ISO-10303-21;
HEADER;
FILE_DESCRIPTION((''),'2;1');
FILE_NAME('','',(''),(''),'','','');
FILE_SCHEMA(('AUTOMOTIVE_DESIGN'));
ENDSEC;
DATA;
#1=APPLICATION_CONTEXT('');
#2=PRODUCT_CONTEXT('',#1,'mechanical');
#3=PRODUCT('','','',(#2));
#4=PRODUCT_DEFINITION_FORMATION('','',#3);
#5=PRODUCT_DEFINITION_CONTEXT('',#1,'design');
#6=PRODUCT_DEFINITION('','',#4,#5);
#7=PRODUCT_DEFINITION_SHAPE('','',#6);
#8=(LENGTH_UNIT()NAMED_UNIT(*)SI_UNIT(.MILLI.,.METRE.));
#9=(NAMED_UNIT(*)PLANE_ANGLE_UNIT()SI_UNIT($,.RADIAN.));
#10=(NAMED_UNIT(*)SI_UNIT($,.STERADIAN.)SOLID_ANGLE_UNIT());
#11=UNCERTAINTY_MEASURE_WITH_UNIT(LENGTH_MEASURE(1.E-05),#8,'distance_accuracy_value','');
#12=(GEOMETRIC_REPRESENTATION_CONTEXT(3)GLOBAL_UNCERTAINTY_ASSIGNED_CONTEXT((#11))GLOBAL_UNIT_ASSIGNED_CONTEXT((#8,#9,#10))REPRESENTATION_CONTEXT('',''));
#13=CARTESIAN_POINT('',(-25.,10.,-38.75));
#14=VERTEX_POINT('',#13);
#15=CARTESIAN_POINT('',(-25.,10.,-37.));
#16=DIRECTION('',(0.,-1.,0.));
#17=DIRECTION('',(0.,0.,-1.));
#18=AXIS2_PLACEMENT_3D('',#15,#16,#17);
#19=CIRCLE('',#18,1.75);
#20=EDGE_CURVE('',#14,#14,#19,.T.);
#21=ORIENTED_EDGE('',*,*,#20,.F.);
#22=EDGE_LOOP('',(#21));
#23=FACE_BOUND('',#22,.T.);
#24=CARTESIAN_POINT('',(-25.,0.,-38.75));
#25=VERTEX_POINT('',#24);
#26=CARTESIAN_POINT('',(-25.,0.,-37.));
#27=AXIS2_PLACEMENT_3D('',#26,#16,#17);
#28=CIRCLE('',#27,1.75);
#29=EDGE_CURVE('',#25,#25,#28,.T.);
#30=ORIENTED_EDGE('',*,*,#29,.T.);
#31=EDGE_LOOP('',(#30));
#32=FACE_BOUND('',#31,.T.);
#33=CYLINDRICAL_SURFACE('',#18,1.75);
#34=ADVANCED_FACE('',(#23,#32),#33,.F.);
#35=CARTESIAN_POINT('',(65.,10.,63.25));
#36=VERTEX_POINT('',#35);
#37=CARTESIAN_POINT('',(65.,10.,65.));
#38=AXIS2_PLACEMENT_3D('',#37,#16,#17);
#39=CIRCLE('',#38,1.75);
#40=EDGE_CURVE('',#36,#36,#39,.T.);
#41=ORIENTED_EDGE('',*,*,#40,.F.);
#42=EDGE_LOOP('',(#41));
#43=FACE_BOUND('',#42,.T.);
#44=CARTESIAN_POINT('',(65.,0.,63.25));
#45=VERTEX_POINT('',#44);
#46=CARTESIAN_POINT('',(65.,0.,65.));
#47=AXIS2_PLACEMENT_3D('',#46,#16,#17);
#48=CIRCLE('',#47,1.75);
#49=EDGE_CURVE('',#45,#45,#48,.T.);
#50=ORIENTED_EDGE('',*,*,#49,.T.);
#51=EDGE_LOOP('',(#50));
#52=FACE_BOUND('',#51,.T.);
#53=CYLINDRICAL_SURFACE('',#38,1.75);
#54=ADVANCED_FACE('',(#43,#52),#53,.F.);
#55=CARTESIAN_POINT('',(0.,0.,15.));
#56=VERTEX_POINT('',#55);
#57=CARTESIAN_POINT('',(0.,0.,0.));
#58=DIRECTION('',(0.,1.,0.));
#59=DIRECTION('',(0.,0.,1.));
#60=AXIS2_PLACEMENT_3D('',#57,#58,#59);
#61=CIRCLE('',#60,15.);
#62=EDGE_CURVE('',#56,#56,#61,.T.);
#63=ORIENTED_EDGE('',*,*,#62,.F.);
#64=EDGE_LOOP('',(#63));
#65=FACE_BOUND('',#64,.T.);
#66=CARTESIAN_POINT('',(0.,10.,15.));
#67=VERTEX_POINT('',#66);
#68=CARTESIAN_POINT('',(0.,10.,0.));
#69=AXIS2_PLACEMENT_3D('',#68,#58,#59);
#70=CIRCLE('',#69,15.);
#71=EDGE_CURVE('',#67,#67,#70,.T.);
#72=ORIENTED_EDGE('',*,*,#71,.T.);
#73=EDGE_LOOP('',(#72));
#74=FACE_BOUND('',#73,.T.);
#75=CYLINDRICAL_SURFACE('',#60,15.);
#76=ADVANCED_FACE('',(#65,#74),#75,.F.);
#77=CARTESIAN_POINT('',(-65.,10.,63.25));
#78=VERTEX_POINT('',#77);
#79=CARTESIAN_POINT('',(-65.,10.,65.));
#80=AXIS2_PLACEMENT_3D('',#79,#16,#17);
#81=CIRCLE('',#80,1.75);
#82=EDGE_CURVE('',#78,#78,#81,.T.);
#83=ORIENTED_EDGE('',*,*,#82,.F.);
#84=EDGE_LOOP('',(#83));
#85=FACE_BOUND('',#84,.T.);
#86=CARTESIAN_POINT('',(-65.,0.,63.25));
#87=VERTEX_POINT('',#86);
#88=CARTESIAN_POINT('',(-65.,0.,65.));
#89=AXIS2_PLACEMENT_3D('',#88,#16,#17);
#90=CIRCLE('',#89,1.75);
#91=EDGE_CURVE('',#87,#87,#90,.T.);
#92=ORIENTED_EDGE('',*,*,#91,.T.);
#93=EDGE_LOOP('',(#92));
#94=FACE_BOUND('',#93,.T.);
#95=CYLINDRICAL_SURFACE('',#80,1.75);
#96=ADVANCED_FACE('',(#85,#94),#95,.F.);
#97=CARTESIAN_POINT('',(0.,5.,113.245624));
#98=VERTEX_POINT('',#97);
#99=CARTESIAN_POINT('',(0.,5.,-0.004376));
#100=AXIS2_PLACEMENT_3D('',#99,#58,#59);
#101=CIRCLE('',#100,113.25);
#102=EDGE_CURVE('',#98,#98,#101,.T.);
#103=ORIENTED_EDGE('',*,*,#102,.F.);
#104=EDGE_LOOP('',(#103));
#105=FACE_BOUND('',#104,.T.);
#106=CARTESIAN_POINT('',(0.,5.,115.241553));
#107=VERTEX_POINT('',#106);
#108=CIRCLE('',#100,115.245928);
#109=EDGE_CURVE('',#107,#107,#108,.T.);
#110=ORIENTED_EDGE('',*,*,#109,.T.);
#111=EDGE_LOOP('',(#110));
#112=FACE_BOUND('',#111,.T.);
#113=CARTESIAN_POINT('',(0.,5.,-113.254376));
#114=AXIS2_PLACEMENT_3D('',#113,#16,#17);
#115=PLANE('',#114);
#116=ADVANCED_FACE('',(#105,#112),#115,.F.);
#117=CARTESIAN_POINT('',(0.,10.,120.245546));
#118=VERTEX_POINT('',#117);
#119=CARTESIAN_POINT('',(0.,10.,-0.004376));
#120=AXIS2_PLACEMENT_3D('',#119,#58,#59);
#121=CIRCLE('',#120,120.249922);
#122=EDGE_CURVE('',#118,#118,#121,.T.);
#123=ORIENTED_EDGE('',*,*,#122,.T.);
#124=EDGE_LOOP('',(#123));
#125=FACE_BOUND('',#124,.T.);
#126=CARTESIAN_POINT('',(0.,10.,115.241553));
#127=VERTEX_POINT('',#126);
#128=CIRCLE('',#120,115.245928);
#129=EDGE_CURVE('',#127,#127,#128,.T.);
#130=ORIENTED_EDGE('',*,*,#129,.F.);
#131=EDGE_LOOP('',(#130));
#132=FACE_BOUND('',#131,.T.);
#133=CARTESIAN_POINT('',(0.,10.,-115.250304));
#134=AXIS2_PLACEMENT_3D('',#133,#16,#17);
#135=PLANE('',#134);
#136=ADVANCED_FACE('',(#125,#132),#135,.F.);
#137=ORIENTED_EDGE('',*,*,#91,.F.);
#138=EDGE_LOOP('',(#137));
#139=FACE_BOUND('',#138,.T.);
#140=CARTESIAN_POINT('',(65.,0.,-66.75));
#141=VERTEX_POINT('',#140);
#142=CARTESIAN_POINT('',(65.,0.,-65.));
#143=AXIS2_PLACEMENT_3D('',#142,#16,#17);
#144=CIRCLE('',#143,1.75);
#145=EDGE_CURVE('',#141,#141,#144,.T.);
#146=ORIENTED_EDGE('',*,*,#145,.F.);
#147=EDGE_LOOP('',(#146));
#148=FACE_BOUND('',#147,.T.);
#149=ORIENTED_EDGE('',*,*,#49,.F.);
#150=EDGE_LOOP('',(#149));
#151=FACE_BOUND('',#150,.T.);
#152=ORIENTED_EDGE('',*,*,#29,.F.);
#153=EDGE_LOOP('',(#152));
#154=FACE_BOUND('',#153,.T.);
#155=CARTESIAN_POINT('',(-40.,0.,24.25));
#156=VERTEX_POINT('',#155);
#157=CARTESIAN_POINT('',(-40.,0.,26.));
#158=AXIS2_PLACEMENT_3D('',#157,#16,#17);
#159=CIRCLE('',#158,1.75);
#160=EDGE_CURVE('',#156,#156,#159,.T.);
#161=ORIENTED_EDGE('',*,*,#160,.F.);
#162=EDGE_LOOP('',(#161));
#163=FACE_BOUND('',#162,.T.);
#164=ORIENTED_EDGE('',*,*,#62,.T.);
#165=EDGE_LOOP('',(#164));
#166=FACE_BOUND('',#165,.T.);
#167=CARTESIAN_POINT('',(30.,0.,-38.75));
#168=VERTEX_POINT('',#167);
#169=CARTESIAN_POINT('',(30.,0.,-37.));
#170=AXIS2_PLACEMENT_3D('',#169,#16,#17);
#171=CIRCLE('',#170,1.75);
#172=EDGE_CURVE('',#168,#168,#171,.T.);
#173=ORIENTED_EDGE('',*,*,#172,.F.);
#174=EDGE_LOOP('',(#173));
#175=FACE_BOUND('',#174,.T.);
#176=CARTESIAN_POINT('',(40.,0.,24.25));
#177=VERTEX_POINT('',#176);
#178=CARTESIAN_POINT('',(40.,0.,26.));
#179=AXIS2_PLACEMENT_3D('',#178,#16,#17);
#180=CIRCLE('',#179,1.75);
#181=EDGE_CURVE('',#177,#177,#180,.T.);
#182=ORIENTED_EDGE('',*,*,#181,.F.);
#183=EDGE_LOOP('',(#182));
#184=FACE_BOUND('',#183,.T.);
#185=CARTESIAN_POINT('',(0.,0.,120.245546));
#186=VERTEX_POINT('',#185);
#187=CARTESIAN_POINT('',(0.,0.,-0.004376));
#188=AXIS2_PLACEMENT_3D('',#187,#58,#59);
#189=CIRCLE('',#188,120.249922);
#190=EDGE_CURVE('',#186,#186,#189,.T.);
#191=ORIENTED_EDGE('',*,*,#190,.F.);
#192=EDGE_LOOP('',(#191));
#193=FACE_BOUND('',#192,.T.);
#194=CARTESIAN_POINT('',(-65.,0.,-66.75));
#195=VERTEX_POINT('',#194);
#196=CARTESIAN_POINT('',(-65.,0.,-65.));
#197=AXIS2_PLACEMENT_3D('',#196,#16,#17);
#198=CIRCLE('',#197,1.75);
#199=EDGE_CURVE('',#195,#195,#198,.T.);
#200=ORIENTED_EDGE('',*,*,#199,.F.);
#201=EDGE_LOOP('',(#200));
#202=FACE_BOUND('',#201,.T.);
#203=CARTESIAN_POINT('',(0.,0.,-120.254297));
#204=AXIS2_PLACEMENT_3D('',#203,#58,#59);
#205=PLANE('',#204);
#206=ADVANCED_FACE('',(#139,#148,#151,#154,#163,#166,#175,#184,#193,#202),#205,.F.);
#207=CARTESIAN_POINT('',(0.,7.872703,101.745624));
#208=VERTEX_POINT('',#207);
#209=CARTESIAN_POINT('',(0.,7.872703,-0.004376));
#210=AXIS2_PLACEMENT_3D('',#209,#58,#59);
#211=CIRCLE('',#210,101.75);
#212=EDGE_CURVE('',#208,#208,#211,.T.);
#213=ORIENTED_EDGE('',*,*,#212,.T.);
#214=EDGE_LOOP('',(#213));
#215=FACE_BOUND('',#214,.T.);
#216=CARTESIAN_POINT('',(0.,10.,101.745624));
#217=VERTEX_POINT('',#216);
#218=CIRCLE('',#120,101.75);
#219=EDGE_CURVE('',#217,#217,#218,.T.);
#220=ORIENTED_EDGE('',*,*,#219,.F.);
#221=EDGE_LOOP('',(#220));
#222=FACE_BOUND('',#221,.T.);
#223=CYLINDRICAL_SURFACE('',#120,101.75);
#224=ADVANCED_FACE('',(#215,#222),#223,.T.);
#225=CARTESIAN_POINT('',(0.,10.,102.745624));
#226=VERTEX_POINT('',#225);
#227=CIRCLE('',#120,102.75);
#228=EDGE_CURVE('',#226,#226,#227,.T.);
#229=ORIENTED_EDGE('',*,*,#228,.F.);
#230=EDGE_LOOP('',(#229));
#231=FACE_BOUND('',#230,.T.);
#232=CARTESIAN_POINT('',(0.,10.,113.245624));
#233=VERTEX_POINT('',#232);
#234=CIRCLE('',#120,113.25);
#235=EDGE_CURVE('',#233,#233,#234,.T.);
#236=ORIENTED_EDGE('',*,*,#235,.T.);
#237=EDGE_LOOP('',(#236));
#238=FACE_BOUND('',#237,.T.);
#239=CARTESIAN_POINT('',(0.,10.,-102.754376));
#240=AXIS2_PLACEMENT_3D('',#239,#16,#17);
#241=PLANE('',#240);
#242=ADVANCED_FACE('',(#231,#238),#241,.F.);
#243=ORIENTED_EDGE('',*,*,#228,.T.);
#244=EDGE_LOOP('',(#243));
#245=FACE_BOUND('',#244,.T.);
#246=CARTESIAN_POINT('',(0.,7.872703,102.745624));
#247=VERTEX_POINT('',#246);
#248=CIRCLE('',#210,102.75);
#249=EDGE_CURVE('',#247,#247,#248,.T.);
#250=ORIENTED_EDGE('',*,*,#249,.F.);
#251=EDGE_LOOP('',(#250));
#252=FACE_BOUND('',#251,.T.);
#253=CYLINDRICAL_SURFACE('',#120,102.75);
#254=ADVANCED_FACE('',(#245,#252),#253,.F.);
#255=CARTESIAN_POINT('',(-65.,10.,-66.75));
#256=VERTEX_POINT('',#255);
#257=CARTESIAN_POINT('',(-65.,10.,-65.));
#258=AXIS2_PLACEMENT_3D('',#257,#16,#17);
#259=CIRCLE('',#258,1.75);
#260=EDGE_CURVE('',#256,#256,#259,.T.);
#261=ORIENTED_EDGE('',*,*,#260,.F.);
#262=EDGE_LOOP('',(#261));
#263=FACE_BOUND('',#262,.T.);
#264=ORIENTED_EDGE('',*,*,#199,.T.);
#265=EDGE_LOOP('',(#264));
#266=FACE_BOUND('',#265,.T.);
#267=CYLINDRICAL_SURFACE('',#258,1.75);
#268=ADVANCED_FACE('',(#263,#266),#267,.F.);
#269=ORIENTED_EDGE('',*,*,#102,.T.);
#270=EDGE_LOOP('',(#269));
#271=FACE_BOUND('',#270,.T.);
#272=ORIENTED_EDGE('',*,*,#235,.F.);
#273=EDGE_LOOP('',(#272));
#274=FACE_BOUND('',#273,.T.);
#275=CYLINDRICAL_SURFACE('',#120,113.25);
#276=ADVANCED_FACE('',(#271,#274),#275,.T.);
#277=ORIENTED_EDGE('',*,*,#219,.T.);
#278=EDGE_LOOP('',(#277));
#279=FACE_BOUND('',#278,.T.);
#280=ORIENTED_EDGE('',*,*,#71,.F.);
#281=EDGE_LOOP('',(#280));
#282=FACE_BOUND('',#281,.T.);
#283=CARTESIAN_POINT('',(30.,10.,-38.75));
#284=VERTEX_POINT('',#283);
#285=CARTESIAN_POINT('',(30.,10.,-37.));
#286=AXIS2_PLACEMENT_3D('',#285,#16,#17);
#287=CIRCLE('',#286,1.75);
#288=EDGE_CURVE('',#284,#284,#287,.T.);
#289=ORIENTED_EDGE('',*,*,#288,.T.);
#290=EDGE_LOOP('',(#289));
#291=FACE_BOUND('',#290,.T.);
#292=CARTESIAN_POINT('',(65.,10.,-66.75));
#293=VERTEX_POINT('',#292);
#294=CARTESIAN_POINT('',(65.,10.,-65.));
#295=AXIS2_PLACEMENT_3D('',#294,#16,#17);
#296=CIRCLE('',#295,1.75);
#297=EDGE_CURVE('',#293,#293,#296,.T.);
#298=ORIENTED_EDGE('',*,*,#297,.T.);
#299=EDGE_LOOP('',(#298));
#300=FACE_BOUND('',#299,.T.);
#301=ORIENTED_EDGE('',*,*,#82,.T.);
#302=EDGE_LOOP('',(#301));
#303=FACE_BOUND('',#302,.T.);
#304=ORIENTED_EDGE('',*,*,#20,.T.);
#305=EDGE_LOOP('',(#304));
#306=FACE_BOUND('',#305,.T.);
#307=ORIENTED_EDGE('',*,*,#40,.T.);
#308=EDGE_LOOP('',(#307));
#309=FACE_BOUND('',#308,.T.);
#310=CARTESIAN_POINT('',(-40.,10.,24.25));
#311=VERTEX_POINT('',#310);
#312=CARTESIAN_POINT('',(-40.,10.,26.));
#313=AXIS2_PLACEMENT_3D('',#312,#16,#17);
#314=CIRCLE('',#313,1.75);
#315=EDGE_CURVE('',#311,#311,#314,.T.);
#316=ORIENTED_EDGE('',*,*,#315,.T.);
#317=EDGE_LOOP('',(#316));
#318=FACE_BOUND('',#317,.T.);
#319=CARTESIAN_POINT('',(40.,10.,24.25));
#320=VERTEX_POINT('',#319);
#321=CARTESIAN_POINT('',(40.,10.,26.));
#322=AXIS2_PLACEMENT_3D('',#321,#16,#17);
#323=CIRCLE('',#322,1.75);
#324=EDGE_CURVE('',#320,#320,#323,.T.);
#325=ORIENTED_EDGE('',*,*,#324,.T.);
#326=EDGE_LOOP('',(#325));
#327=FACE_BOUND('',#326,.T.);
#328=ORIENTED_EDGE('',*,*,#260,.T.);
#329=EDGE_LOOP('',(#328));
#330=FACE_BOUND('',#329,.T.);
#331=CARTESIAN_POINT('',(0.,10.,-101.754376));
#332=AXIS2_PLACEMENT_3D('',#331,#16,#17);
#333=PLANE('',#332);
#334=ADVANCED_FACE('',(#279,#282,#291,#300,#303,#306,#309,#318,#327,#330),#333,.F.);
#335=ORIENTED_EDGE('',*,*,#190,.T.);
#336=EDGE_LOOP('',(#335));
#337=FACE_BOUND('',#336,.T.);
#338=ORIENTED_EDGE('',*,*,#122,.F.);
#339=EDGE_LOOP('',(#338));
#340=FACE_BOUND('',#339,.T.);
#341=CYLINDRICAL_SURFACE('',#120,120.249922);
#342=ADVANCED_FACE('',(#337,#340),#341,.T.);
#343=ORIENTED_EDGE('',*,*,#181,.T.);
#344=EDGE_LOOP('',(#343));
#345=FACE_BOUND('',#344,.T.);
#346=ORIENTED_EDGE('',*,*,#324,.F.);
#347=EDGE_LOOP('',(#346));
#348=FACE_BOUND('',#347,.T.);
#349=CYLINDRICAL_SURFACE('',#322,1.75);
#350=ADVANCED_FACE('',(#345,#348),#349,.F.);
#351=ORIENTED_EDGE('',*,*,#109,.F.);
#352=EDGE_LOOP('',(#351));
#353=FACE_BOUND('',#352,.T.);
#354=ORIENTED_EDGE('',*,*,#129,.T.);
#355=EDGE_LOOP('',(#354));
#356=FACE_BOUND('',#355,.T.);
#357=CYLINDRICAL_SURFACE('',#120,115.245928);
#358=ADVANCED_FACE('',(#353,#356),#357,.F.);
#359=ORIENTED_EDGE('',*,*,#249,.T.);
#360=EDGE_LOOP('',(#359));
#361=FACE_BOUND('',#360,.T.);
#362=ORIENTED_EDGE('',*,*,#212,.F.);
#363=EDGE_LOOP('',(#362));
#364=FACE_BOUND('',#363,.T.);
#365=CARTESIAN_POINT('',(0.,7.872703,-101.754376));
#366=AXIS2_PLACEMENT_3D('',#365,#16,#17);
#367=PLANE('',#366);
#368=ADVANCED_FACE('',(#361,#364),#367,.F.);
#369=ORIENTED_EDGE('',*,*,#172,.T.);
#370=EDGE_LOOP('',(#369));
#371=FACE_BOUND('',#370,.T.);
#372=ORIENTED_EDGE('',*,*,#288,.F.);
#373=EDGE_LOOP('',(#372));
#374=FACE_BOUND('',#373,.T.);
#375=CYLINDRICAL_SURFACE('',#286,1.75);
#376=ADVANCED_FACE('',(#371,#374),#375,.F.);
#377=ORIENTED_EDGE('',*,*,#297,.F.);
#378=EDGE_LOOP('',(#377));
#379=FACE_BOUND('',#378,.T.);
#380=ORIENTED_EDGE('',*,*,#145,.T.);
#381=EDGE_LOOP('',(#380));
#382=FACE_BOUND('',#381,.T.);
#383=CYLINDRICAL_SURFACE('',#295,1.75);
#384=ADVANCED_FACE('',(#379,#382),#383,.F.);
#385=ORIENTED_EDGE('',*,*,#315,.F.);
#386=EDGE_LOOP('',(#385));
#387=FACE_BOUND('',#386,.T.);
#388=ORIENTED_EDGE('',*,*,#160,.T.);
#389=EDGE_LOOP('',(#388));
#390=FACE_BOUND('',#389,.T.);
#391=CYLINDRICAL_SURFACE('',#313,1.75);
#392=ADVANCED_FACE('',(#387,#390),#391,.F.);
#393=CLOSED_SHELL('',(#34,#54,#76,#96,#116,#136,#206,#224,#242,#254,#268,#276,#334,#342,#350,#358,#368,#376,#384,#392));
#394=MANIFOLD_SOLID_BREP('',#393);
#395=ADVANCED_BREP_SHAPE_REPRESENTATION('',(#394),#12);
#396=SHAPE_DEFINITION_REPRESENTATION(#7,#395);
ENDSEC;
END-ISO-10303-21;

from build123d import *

# Parameters (mm, degrees)
ESQUISSE3_R             = 15
ENL_V_MAT_EXTRU_1_DEPTH = 10
ESQUISSE4_R             = 1.75
ENL_V_MAT_EXTRU_2_DEPTH = 10
ESQUISSE5_R             = 1.75
ENL_V_MAT_EXTRU_3_DEPTH = 10


with BuildPart() as part:
    # Esquisse1 → Révolution1 (revolve)
    with BuildSketch(Plane(origin=(0, 0, 0), x_dir=(0, 0, -1), z_dir=(1, 0, 0)), mode=Mode.PRIVATE) as r_volution1_sk:
        Polygon((101.754375518, 10), (101.754375518, 7.872703136), (102.754375518, 7.872703136), (102.754375518, 10), (113.254375518, 10), (113.254375518, 5), (115.25030387, 5), (115.25030387, 10), (120.254297163, 10), (120.254297163, 0), (0.004375518, 0), (0.004375518, 10), align=None)
    revolve(r_volution1_sk.sketch.rotate(Axis((0, 10, -0.004375518), (0, -1, 0)), 180), axis=Axis((0, 10, -0.004375518), (0, -1, 0)))

    # Esquisse3 → Enlèv. mat.-Extru.1 (cut)
    with BuildSketch(Plane(origin=(0, 10, 0), x_dir=(1, 0, 0), z_dir=(0, 1, 0))):
        with Locations(Location((0, 0, 0), (0, 0, 270))):
            Circle(ESQUISSE3_R)
    extrude(amount=-ENL_V_MAT_EXTRU_1_DEPTH, mode=Mode.SUBTRACT)

    # Esquisse4 → Enlèv. mat.-Extru.2 (cut)
    with BuildSketch(Plane.XZ):
        with Locations(Location((-25, -37, 0), (0, 0, 270))):
            Circle(ESQUISSE4_R)
        with Locations(Location((-40, 26, 0), (0, 0, 270))):
            Circle(ESQUISSE4_R)
        with Locations(Location((40, 26, 0), (0, 0, 270))):
            Circle(ESQUISSE4_R)
        with Locations(Location((30, -37, 0), (0, 0, 270))):
            Circle(ESQUISSE4_R)
    extrude(amount=-ENL_V_MAT_EXTRU_2_DEPTH, mode=Mode.SUBTRACT)

    # Esquisse5 → Enlèv. mat.-Extru.3 (cut)
    with BuildSketch(Plane.XZ):
        with Locations(Location((-65, 65, 0), (0, 0, 270))):
            Circle(ESQUISSE5_R)
        with Locations(Location((-65, -65, 0), (0, 0, 270))):
            Circle(ESQUISSE5_R)
        with Locations(Location((65, 65, 0), (0, 0, 270))):
            Circle(ESQUISSE5_R)
        with Locations(Location((65, -65, 0), (0, 0, 270))):
            Circle(ESQUISSE5_R)
    extrude(amount=-ENL_V_MAT_EXTRU_3_DEPTH, mode=Mode.SUBTRACT)


solid = part.part
